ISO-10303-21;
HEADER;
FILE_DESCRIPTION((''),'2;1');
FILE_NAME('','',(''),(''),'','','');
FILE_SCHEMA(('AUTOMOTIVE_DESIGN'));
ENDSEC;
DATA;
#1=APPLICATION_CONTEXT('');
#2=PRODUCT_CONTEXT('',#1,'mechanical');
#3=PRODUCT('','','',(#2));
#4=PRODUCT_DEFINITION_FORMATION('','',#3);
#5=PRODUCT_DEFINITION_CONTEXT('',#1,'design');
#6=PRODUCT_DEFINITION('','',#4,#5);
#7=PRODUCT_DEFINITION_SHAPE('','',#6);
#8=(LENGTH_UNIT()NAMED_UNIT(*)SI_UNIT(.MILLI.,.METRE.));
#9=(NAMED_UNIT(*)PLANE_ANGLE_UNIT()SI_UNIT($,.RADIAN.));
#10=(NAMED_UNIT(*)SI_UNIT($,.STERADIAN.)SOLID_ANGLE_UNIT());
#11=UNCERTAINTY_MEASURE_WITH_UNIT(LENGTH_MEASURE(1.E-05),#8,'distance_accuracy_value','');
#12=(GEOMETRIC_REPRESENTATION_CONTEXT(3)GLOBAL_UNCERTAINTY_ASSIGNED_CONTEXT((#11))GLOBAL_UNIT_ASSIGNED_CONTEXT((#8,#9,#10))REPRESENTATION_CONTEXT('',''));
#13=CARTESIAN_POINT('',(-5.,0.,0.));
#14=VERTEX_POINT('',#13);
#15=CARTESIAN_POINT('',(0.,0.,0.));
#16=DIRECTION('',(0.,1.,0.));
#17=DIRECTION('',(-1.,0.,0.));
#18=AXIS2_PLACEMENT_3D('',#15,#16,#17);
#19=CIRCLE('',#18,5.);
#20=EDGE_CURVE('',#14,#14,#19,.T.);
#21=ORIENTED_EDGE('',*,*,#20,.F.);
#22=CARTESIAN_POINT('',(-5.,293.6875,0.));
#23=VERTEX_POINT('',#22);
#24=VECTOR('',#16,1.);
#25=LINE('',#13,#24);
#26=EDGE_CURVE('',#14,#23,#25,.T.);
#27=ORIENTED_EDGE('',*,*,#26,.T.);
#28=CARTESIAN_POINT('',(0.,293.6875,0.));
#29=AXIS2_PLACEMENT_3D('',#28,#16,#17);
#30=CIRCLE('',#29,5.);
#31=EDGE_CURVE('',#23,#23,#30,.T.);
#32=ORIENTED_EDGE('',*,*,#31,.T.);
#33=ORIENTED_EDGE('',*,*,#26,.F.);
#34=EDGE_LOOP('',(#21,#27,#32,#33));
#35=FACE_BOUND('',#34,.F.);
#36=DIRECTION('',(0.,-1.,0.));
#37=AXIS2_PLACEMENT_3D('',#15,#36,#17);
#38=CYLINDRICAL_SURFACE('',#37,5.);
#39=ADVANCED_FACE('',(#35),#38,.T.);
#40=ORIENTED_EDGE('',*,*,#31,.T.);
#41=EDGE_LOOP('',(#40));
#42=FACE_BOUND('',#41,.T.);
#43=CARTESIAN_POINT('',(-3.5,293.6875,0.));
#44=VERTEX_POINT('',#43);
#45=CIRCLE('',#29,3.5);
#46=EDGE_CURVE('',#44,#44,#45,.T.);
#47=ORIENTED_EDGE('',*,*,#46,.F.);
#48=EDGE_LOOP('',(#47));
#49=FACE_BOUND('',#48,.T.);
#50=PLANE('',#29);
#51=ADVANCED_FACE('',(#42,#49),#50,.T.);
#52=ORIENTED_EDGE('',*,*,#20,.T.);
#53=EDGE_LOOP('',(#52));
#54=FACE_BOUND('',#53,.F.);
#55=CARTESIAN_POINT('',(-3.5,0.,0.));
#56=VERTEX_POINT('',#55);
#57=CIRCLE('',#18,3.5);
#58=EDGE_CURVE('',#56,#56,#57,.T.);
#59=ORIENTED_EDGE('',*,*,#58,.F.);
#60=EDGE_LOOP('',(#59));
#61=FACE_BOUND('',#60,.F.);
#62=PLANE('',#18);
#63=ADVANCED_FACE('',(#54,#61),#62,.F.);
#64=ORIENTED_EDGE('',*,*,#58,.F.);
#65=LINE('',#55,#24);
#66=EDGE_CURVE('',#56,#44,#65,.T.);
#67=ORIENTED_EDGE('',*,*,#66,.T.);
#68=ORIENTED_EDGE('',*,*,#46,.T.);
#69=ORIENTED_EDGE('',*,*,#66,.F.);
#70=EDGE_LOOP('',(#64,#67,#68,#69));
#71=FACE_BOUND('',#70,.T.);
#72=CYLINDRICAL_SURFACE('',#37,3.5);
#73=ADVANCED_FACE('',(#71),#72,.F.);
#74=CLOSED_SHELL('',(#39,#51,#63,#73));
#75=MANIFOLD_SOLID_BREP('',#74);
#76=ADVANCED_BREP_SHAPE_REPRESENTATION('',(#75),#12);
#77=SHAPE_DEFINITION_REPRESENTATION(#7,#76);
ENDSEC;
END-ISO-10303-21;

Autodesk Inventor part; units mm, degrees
ref_plane "YZ Plane" through (0, 0, 0) normal (1, 0, 0) x (0, 1, 0)
ref_plane "XZ Plane" through (0, 0, 0) normal (0, 1, 0) x (-1, 0, 0)
ref_plane "XY Plane" through (0, 0, 0) normal (0, 0, 1) x (1, 0, 0)
sketch "Sketch1" plane through (0, 0, 0) normal (0, 1, 0) x (-1, 0, 0)
  circle A0 centre (0, 0) radius 3.5
  circle A1 centre (0, 0) radius 5
  dimension "d0" = 7
  dimension "d1" = 10
extrude "Extrusion1" add sketch "Sketch1" along normal blind 293.6875
properties part number "glasstube_1"
